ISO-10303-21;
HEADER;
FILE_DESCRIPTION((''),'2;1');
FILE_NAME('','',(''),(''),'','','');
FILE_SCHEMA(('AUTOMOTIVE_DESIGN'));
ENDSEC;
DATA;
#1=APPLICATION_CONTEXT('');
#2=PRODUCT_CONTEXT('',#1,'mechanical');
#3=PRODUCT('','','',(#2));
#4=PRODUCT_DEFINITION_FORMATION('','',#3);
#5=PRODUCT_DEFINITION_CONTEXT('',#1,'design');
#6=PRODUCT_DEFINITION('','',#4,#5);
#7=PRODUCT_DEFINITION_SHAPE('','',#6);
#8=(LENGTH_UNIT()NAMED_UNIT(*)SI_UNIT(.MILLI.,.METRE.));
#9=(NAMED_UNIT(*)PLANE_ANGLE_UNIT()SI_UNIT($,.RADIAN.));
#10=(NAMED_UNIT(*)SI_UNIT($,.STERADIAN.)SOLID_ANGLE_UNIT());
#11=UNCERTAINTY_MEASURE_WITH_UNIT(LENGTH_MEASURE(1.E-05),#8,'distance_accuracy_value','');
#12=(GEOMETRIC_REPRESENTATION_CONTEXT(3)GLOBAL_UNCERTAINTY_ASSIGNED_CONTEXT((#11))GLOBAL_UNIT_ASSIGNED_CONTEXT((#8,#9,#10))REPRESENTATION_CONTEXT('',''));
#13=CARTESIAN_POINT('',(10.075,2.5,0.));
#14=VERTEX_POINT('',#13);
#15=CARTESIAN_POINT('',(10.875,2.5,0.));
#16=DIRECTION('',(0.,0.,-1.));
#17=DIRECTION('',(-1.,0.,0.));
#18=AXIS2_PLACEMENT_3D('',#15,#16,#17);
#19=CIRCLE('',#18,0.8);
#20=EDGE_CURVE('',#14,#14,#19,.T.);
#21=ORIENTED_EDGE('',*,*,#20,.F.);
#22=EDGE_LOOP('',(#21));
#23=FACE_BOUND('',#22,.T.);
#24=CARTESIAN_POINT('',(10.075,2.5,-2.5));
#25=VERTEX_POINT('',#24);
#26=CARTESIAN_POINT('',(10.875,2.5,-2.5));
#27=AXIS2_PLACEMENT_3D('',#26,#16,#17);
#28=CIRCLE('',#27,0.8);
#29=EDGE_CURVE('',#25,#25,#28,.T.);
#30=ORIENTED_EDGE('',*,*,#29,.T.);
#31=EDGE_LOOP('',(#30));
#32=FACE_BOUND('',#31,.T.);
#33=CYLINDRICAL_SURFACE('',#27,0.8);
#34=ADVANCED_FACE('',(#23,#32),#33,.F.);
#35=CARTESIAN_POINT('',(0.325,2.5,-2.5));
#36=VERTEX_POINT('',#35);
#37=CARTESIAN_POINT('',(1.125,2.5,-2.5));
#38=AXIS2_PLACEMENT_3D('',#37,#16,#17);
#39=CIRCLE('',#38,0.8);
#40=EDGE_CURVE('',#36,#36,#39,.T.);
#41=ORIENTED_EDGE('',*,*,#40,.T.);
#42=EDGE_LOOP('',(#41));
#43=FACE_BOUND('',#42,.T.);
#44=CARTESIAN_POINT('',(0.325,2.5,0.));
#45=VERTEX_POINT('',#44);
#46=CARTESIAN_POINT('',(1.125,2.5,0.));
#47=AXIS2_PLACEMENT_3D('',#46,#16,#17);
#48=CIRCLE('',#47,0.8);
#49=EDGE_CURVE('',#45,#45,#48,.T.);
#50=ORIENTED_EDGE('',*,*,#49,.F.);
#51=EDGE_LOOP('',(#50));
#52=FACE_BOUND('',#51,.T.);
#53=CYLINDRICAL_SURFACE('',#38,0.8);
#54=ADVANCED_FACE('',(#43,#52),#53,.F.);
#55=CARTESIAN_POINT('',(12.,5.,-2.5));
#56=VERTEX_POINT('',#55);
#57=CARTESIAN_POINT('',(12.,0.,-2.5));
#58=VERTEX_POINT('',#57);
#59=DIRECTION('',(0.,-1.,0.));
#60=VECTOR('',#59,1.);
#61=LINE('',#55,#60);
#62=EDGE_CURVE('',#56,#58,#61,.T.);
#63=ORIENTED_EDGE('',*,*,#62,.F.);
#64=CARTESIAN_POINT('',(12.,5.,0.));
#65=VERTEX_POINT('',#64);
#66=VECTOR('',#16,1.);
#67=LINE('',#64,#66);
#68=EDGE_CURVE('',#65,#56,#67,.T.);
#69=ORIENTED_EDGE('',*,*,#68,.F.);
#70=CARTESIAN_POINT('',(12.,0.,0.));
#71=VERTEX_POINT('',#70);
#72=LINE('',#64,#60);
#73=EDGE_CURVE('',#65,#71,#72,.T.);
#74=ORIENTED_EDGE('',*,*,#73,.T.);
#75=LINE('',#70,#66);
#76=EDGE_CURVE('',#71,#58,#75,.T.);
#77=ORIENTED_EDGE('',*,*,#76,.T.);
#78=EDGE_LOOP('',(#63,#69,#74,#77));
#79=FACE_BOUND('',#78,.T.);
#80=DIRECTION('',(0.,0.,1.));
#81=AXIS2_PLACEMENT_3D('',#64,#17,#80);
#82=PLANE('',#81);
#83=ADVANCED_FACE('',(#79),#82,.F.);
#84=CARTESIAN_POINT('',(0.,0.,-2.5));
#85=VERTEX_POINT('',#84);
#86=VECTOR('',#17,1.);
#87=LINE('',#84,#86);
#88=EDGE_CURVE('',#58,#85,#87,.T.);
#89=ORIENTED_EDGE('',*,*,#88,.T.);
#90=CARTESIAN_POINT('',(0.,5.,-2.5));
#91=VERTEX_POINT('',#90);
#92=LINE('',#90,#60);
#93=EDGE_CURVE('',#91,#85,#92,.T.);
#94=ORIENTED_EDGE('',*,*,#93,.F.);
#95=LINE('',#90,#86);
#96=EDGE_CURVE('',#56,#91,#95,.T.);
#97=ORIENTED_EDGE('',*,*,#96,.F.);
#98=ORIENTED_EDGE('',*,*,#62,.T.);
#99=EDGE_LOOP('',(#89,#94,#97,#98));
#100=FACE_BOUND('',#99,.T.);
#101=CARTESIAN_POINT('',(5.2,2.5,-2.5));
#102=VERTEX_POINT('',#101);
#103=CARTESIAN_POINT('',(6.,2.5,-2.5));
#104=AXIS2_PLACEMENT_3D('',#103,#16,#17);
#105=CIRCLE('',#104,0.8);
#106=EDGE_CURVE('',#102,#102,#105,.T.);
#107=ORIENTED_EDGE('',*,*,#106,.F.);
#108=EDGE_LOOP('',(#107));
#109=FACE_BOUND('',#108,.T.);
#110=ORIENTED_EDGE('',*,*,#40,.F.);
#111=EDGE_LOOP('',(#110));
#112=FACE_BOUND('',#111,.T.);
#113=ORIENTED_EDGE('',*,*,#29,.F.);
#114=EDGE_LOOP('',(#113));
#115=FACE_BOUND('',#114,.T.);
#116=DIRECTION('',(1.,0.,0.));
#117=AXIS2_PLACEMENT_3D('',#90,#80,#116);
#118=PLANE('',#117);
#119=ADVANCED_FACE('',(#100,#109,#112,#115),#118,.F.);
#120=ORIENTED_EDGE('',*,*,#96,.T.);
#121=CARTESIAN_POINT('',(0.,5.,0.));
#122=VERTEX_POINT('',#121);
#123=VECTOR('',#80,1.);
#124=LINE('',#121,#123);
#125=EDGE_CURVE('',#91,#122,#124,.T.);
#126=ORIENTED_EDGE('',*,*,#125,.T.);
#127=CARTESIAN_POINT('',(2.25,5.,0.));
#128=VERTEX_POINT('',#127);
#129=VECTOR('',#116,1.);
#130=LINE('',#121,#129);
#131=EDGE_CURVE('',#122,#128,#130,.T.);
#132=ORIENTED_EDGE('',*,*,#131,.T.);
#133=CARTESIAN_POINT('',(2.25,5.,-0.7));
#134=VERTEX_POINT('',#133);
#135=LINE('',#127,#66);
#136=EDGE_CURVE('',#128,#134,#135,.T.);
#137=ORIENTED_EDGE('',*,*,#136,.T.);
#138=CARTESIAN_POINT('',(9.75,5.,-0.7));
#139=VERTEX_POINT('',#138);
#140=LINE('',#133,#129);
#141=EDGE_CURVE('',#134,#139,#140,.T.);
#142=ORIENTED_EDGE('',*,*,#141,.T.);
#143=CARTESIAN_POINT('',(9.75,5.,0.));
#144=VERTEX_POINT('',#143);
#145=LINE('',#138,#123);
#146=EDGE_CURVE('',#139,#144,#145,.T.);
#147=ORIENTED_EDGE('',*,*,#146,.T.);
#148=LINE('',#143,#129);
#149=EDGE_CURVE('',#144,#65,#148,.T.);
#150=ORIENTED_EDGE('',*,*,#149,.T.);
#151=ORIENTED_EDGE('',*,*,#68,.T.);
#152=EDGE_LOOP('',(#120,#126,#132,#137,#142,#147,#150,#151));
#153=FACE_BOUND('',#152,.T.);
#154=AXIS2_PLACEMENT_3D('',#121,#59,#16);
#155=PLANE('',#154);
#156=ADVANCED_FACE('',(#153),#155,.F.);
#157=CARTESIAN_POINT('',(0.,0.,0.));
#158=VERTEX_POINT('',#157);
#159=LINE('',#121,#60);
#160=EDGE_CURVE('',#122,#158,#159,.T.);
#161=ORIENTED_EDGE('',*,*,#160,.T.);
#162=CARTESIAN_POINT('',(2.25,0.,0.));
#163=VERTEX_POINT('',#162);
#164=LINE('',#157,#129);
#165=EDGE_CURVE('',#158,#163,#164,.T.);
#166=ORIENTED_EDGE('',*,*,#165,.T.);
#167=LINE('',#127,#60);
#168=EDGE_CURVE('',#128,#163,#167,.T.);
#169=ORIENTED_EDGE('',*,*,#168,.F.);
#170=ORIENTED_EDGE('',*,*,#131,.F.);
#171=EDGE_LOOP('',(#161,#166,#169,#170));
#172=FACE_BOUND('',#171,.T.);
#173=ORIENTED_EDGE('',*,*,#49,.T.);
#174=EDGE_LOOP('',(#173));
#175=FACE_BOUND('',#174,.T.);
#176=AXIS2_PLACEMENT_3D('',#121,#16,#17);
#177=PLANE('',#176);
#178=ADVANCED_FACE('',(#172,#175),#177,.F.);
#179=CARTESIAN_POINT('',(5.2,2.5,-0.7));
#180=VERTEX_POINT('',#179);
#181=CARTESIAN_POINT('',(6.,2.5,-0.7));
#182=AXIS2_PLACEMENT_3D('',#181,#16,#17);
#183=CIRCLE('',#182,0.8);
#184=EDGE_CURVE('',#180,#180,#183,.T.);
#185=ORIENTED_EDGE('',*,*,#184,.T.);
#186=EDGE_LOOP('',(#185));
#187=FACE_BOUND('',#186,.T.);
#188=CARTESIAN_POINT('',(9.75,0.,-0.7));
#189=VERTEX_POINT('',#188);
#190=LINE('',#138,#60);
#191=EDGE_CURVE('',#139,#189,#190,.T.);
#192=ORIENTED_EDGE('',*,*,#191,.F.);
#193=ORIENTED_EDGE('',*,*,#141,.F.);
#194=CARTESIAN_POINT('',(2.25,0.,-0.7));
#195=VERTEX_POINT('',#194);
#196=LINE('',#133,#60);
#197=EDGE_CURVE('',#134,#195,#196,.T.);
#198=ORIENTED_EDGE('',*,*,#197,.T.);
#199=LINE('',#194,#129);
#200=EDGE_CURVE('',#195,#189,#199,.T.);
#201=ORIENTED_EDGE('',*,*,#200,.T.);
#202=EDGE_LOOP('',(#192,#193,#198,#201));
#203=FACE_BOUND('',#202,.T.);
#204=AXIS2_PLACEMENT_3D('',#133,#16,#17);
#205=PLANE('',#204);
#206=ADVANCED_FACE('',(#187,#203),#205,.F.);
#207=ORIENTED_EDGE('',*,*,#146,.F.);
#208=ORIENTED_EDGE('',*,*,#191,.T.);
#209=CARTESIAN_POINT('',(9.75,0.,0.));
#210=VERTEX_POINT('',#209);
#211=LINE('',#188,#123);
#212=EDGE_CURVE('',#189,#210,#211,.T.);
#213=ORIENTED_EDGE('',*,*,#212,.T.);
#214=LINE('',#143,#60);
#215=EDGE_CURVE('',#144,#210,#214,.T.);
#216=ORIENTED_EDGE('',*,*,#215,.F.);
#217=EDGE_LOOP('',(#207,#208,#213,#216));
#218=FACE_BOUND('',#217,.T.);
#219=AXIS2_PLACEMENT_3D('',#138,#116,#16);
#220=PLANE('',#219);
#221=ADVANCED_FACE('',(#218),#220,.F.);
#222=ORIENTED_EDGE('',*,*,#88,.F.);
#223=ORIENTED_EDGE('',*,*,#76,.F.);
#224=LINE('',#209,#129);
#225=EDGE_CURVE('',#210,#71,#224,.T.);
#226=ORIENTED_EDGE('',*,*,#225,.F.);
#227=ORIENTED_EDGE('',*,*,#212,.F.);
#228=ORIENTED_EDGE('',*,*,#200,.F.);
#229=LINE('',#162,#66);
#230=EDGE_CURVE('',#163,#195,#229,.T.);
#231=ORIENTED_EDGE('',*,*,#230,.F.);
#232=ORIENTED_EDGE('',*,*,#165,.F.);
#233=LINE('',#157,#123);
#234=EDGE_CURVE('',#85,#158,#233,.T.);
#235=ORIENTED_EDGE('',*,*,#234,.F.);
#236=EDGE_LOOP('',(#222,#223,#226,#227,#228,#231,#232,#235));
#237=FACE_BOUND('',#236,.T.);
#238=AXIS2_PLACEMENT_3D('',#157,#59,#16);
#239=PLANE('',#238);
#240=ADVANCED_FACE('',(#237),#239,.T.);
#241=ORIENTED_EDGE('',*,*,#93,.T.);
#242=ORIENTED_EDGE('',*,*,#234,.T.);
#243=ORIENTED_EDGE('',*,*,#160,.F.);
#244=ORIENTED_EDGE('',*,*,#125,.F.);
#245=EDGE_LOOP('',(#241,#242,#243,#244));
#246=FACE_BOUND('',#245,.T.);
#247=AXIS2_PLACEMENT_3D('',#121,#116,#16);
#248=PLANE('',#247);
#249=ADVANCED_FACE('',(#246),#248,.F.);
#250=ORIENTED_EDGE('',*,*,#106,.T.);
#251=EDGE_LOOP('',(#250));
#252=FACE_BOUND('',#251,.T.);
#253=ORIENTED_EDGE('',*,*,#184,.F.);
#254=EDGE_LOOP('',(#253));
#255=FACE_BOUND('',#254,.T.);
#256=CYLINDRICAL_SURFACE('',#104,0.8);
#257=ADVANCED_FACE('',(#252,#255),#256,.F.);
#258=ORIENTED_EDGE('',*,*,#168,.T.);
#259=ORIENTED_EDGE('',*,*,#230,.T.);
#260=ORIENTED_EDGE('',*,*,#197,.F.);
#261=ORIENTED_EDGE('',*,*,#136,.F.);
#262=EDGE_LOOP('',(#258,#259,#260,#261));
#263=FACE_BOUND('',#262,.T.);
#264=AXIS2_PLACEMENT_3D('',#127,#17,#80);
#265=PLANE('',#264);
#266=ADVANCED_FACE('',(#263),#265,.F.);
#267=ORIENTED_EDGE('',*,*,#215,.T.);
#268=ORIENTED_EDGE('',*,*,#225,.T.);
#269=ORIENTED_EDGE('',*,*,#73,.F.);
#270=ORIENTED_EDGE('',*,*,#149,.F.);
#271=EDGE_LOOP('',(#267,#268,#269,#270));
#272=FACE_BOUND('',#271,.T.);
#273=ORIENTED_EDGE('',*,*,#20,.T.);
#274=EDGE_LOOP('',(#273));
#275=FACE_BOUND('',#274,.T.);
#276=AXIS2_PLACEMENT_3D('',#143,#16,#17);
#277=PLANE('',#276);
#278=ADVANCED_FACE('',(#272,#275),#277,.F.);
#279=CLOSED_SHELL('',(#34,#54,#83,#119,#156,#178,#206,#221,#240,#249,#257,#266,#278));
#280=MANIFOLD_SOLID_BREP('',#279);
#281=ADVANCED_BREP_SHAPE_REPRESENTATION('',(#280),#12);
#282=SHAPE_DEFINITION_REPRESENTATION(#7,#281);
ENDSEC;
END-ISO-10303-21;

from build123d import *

# Parameters (mm, degrees)
BOSS_EXTRUDE1_DEPTH              = 5
F_97_0_0059_DIAMETER_HOLE1_D     = 1.600000102
F_97_0_0059_DIAMETER_HOLE1_DEPTH = 3
M2X0_4_TAPPED_HOLE1_D            = 1.6
M2X0_4_TAPPED_HOLE1_DEPTH        = 5.2
M2X0_4_TAPPED_HOLE1_TIP          = 0.480688495


with BuildPart() as part:
    # Sketch1 → Boss-Extrude1 (new body)
    with BuildSketch(Plane(origin=(0, 0, 0), x_dir=(1, 0, 0), z_dir=(0, 1, 0))):
        Polygon((0, 0), (2.25, 0), (2.25, 0.7), (9.75, 0.7), (9.75, 0), (12, 0), (12, 2.5), (0, 2.5), align=None)
    extrude(amount=BOSS_EXTRUDE1_DEPTH)

    # #97 (0.0059) Diameter Hole1
    with Locations(Plane(origin=(0, 0, -2.5), x_dir=(-1, 0, 0), z_dir=(0, 0, -1))):
        with Locations((-10.875, 2.5)):
            f_97_0_0059_diameter_hole1 = Hole(F_97_0_0059_DIAMETER_HOLE1_D / 2, depth=F_97_0_0059_DIAMETER_HOLE1_DEPTH)

    # M2x0.4 Tapped Hole1
    with Locations(Plane(origin=(0, 0, -2.5), x_dir=(-1, 0, 0), z_dir=(0, 0, -1))):
        with Locations((-6, 2.5)):
            Hole(M2X0_4_TAPPED_HOLE1_D / 2, depth=M2X0_4_TAPPED_HOLE1_DEPTH)
            with Locations((0, 0, -(M2X0_4_TAPPED_HOLE1_DEPTH + M2X0_4_TAPPED_HOLE1_TIP / 2))):  # 118° drill point
                Cone(0, M2X0_4_TAPPED_HOLE1_D / 2, M2X0_4_TAPPED_HOLE1_TIP, mode=Mode.SUBTRACT)

    # Mirror1: #97 (0.0059) Diameter Hole1 across plane
    add(f_97_0_0059_diameter_hole1.mirror(Plane(origin=(6, 0, 0), x_dir=(0, 0, 1), z_dir=(1, 0, 0))), mode=Mode.SUBTRACT)


solid = part.part
